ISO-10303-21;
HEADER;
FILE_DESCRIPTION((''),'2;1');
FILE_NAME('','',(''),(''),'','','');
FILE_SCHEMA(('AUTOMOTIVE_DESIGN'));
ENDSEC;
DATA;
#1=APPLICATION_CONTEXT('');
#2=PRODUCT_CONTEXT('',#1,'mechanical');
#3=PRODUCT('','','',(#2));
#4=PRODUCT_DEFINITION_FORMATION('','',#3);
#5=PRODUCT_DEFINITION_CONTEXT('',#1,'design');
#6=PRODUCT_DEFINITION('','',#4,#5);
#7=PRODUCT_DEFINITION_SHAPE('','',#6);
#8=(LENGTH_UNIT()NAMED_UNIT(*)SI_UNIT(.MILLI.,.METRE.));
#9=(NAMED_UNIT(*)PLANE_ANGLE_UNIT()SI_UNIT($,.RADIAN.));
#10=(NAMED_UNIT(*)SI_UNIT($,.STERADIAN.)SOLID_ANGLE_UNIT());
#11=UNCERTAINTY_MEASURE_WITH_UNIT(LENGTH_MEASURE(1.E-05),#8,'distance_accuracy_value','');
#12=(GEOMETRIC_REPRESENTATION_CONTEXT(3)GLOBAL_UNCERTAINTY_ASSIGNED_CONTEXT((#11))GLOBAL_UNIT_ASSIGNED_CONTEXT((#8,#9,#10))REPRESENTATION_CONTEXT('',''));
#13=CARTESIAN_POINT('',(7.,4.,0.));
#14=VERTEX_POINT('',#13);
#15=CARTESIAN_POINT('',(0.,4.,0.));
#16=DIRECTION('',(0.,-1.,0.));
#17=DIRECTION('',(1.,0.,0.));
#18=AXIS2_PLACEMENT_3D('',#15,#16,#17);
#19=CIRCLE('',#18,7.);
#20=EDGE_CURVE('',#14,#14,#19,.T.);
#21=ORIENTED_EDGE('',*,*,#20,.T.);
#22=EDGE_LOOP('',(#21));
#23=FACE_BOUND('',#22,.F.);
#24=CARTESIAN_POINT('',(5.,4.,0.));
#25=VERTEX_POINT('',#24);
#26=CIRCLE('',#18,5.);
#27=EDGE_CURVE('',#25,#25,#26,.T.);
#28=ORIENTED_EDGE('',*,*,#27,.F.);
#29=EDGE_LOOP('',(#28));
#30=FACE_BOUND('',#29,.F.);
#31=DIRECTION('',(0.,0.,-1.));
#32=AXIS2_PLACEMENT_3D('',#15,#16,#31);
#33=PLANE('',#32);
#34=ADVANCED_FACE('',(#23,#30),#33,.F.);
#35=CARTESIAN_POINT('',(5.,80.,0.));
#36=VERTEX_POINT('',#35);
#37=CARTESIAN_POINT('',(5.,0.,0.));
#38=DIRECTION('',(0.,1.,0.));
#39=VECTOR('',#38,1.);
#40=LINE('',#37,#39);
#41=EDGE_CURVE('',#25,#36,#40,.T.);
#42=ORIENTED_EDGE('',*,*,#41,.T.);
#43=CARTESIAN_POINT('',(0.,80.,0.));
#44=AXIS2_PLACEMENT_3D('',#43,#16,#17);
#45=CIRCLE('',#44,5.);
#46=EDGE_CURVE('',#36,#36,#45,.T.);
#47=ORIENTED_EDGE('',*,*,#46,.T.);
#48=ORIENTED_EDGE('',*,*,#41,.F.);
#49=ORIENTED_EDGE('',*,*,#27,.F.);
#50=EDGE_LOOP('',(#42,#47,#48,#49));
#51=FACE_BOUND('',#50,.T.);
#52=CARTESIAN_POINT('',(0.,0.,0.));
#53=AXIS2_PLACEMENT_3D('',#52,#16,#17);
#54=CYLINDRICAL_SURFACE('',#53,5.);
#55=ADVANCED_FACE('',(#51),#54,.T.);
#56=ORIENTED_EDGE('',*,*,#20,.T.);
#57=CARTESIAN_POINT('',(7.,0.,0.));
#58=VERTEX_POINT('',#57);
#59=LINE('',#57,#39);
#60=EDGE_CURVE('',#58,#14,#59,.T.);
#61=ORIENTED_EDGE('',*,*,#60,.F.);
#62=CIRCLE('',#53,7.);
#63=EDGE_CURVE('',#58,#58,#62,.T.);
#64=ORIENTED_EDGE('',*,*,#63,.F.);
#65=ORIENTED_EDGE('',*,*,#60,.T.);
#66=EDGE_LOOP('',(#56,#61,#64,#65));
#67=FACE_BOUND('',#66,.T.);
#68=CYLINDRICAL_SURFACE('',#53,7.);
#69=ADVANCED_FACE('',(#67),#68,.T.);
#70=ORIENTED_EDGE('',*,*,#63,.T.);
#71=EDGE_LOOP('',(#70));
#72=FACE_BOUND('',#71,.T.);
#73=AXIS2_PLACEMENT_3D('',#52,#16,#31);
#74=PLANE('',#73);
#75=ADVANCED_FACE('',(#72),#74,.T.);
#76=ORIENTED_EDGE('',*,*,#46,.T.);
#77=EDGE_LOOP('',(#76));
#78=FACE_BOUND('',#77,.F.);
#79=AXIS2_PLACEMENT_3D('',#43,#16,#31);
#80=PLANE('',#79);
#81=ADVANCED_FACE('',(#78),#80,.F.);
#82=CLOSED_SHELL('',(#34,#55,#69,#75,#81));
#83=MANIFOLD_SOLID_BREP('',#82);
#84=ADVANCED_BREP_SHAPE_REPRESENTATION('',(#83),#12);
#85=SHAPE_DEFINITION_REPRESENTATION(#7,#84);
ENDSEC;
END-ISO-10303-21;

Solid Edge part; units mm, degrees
sketch "Sketch1" plane through (0, 0, 0) normal (0, -1, 0) x (1, 0, 0)
  circle A0 centre (0, 0) radius 5
extrude "Protrusion1" add sketch "Sketch1" against normal blind 80
sketch "Sketch2" plane through (0, 0, 0) normal (0, -1, 0) x (1, 0, 0)
  circle A0 centre (0, 0) radius 7
extrude "ExtrudedProtrusion_2" add sketch "Sketch2" against normal blind 4
cosmetic_thread "Thread1" size "Tr 10 x 2"
